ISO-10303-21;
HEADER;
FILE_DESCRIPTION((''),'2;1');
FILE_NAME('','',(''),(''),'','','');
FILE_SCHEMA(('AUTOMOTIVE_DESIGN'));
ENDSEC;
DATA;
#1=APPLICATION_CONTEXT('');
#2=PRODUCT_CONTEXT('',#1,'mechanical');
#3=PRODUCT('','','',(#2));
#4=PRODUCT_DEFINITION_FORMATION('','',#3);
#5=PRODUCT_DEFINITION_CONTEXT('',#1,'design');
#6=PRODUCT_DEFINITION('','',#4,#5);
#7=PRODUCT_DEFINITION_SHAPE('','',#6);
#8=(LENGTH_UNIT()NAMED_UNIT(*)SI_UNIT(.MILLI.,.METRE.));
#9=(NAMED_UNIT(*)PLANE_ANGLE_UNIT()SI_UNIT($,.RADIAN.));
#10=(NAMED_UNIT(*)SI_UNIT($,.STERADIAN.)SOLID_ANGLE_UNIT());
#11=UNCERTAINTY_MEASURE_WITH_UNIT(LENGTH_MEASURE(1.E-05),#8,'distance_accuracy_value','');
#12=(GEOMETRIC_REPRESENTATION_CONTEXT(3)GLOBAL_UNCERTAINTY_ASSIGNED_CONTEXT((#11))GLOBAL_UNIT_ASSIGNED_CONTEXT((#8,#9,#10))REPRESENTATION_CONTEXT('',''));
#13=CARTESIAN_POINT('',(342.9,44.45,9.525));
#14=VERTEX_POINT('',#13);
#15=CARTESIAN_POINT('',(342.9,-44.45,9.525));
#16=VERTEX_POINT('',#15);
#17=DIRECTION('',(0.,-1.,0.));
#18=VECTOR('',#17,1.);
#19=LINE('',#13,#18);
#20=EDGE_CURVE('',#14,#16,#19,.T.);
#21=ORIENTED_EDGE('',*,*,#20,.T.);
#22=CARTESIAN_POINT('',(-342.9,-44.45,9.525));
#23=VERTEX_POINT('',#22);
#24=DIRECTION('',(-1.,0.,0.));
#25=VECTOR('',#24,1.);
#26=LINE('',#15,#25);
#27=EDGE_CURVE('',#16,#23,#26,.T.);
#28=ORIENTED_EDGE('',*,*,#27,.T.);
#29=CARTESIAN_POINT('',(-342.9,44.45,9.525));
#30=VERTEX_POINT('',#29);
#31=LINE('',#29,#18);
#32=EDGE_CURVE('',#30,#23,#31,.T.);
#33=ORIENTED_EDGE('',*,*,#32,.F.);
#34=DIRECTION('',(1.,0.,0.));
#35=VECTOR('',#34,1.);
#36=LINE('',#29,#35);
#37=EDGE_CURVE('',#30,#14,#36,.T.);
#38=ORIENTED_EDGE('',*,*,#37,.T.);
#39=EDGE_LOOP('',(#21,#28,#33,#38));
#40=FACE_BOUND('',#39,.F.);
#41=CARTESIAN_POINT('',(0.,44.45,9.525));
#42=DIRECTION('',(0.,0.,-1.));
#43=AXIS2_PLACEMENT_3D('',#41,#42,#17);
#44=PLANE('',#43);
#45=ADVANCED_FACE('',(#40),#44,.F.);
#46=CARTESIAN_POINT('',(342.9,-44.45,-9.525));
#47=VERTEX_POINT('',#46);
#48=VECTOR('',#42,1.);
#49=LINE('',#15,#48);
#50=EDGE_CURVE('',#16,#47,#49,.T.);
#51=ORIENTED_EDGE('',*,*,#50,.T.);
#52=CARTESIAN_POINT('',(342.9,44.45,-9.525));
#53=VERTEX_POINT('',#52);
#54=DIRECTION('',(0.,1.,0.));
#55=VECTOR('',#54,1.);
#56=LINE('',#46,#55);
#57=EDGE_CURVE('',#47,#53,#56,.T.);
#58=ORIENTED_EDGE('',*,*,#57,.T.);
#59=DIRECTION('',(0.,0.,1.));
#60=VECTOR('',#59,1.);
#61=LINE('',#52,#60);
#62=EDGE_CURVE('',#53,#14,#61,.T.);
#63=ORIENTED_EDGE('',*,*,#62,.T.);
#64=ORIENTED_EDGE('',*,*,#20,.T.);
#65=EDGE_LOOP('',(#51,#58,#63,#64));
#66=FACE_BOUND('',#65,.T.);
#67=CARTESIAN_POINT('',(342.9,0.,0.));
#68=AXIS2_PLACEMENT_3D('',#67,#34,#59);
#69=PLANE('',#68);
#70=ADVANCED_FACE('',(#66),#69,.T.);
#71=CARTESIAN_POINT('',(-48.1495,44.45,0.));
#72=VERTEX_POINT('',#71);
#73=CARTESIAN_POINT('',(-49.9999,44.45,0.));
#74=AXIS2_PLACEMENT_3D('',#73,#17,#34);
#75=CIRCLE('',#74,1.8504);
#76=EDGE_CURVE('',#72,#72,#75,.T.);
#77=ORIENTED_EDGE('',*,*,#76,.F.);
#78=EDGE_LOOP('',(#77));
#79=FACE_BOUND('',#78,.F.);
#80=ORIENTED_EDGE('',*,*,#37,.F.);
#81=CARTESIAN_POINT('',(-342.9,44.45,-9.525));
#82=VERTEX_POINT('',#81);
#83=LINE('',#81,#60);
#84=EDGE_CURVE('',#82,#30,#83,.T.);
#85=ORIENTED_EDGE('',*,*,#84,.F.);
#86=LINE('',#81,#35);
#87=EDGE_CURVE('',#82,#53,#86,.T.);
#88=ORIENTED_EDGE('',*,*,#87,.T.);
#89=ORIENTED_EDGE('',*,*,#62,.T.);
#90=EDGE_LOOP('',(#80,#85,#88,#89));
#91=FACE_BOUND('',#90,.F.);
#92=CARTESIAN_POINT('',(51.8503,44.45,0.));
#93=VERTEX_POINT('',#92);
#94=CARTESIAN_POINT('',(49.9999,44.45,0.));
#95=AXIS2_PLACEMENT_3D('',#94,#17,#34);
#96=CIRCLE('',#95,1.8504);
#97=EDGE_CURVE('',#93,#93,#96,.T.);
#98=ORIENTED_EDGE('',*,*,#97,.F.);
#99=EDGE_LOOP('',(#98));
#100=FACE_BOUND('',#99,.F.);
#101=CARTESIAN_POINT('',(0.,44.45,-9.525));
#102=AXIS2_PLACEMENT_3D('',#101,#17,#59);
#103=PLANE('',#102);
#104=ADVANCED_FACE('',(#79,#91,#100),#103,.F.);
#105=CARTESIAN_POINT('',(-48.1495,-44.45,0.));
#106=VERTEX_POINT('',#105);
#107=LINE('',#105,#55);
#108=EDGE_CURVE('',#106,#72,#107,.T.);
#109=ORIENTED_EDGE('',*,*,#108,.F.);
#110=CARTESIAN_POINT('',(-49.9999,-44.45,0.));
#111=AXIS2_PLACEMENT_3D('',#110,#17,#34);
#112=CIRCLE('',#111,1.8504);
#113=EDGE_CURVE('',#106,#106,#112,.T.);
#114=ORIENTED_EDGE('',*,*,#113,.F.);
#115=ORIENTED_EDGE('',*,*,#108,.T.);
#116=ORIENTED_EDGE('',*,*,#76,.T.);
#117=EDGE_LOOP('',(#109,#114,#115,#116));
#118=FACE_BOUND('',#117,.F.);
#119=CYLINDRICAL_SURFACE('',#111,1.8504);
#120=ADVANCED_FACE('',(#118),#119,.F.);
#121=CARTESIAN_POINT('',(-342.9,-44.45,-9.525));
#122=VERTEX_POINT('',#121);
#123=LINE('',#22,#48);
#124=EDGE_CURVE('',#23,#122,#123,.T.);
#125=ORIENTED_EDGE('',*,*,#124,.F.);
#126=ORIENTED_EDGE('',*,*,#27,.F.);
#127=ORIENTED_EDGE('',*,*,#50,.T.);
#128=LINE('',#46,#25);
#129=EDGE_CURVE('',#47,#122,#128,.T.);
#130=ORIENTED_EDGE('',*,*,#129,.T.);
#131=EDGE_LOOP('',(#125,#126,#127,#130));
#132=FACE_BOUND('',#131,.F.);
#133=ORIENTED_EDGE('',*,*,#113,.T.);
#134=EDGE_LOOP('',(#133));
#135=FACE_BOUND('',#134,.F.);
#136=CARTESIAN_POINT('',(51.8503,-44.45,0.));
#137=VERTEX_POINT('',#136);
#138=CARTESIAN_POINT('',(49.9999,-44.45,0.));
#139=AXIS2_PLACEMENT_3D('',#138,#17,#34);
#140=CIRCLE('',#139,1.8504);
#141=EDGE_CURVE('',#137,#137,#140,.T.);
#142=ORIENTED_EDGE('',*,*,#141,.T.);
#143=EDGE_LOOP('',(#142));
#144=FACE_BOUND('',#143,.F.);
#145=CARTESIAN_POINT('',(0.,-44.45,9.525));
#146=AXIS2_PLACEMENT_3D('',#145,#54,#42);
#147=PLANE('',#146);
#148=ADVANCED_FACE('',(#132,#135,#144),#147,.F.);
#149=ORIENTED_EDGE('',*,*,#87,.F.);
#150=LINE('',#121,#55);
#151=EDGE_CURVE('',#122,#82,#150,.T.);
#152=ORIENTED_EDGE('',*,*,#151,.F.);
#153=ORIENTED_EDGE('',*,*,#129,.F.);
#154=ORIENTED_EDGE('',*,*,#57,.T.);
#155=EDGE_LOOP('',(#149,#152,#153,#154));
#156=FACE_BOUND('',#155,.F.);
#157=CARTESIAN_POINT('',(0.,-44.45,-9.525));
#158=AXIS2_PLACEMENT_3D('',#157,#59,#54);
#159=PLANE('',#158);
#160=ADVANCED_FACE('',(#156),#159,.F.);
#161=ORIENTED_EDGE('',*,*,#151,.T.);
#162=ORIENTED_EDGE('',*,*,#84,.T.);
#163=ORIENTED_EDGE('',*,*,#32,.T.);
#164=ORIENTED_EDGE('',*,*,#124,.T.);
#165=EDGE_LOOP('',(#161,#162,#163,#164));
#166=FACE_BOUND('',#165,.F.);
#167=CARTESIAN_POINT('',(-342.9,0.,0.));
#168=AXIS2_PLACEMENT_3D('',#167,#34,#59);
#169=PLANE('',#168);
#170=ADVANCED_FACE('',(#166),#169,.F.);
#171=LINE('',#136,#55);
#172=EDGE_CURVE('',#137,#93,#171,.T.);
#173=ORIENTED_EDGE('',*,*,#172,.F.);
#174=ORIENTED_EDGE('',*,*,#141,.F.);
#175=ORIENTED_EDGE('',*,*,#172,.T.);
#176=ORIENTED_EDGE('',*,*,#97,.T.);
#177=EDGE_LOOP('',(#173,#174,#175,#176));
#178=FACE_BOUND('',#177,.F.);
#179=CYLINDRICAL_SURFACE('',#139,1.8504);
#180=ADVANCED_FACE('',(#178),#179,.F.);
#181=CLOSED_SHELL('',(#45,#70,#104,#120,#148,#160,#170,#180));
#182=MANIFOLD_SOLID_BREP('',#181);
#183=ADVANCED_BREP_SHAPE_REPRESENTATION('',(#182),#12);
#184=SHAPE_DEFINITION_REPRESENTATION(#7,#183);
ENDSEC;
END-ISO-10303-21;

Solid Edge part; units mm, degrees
sketch "Sketch1" plane through (0, 0, 0) normal (1, 0, 0) x (0, 1, 0)
  line L0 (-44.45, -9.525) -> (44.45, -9.525)
  line L1 (44.45, -9.525) -> (44.45, 9.525)
  line L2 (44.45, 9.525) -> (-44.45, 9.525)
  line L3 (-44.45, 9.525) -> (-44.45, -9.525)
  dimension "D1" = 88.9
  dimension "D2" = 19.05
extrude "Protrusion1" add sketch "Sketch1" along normal mid plane 685.8
sketch "Sketch2" plane through (0, -44.45, 0) normal (0, -1, 0) x (1, 0, 0)
  circle A0 centre (-49.9999, 0) radius 1.8504
  circle A1 centre (49.9999, 0) radius 1.8504
  dimension "D1" = 49.9999
  dimension "D2" = 3.7008
extrude "Cutout1" cut sketch "Sketch2" against normal through all
properties material "Wood, Pine"
